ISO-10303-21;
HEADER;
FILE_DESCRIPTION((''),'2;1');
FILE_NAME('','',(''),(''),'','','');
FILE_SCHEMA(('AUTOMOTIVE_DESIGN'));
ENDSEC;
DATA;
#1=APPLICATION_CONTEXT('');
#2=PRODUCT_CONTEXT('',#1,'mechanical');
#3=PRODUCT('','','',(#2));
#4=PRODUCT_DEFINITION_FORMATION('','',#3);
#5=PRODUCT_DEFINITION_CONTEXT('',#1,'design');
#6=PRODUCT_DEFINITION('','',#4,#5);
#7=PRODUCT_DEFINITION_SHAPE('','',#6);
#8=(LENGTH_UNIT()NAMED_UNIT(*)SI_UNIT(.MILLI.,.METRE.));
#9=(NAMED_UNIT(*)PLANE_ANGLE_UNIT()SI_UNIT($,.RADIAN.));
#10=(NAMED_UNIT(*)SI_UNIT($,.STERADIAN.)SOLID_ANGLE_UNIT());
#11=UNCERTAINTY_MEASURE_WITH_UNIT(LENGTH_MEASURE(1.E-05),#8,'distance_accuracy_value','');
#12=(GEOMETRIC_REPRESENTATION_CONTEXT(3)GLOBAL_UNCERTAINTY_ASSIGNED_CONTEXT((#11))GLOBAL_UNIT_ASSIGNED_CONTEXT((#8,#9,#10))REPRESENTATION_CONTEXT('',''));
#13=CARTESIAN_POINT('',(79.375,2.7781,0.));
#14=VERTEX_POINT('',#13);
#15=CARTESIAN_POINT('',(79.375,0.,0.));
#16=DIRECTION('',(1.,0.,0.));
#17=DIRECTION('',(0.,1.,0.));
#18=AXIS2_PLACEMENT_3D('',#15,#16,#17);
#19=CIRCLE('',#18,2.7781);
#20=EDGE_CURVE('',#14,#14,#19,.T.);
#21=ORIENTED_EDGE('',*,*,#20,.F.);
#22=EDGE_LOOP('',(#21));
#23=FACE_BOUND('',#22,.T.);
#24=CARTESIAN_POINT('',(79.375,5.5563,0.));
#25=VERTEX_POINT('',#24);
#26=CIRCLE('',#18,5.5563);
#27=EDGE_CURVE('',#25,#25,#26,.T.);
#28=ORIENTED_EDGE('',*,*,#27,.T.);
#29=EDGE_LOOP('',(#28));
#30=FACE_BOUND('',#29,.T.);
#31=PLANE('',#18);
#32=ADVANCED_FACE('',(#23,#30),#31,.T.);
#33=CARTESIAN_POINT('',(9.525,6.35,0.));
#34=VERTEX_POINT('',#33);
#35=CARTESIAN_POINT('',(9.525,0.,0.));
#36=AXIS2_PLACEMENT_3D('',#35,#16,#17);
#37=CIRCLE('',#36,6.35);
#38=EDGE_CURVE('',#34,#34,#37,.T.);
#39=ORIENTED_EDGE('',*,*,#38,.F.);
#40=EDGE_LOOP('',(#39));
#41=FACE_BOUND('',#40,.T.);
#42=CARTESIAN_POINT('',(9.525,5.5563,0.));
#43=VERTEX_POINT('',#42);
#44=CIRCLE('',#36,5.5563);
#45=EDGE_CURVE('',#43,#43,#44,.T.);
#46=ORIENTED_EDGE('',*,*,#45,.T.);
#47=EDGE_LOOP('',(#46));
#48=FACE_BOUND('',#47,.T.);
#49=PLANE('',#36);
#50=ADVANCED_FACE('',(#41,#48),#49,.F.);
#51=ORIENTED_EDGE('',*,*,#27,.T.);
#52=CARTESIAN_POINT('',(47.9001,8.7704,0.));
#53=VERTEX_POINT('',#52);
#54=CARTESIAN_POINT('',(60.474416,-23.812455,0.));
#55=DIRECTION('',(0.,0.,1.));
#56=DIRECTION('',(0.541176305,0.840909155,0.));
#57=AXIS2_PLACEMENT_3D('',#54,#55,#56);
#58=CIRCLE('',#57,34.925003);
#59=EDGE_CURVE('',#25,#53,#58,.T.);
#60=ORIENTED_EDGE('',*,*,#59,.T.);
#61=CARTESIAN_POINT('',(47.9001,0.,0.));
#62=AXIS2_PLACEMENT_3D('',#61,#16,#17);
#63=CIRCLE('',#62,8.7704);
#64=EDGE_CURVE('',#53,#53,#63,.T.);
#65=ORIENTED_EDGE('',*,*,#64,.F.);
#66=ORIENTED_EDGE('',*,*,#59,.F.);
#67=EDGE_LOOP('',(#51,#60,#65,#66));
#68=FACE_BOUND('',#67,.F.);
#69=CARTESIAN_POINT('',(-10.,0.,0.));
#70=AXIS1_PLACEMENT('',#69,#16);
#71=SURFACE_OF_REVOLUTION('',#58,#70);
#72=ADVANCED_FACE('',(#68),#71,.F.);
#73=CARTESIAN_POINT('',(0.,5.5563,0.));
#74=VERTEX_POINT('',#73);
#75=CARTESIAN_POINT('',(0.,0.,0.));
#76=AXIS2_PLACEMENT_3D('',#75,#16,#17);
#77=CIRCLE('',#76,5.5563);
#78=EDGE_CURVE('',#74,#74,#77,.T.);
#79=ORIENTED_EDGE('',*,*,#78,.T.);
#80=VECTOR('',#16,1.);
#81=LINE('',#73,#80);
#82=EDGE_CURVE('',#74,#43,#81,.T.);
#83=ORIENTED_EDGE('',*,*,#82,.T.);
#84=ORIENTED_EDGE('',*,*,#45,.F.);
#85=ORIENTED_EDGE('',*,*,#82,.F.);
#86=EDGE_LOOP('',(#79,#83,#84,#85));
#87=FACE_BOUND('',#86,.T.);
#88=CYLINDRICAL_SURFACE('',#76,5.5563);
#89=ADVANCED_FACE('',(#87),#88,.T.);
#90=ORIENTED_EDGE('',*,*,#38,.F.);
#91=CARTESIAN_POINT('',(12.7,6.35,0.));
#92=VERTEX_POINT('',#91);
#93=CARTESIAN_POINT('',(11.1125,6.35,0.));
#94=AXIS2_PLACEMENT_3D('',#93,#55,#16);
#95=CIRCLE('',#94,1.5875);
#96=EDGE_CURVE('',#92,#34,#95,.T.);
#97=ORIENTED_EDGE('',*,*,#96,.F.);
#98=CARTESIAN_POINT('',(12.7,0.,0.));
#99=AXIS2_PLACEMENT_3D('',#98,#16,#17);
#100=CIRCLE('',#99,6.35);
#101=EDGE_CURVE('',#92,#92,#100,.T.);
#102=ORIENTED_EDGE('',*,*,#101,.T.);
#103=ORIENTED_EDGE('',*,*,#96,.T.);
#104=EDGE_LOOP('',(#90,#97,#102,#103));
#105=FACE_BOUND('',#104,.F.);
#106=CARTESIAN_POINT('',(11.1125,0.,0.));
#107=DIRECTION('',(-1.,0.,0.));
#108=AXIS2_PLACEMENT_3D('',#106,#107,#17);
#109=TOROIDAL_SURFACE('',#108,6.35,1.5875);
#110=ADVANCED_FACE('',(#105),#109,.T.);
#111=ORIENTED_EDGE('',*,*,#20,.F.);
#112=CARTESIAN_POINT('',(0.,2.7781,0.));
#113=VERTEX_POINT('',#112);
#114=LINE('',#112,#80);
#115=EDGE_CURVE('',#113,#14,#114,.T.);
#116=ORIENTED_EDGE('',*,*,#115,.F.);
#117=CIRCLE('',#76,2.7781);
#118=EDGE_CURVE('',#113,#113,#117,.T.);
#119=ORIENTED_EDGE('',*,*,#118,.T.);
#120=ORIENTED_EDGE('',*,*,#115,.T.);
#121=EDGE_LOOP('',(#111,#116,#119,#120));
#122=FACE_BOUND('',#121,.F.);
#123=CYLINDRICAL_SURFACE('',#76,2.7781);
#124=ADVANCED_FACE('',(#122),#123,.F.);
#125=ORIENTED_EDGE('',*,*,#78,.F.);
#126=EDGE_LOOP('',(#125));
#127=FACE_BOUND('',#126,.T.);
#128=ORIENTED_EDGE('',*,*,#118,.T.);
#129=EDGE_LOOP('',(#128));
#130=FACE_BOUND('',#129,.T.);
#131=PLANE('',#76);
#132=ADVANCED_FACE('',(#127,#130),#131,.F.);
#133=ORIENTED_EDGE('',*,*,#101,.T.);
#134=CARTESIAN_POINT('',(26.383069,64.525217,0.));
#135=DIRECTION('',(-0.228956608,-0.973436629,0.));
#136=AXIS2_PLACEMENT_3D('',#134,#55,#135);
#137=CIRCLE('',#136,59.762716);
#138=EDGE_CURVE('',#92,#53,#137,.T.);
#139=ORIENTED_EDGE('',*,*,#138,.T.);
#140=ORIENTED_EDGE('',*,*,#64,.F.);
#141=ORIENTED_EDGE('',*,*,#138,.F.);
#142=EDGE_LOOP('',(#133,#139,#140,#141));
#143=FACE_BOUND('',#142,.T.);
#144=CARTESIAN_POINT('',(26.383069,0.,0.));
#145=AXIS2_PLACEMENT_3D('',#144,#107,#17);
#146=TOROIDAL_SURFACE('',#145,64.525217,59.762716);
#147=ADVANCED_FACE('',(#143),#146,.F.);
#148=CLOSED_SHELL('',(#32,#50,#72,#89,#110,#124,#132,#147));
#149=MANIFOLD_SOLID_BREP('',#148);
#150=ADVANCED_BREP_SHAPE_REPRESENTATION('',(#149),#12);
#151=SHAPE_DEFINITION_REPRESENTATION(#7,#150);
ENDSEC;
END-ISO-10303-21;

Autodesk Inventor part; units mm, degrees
ref_plane "YZ Plane" through (0, 0, 0) normal (1, 0, 0) x (0, 1, 0)
ref_plane "XZ Plane" through (0, 0, 0) normal (0, 1, 0) x (-1, 0, 0)
ref_plane "XY Plane" through (0, 0, 0) normal (0, 0, 1) x (1, 0, 0)
sketch "Sketch1" plane through (0, 0, 0) normal (0, 0, 1) x (1, 0, 0)
  line L0 (-15.952, 0) -> (95.7118, 0) projected
  line L1 (0, -41.4801) -> (0, 82.1932) construction
  line L2 (0, 5.5563) -> (9.525, 5.5563)
  arc A0 (12.7, 6.35) -> (9.525, 6.35) centre (11.1125, 6.35) ccw
  line L3 (9.525, 5.5563) -> (9.525, 6.35)
  line L4 (49.0333, 11.1125) -> (60.4744, 11.1125) construction
  line L5 (25.177, 4.7625) -> (44.7051, 4.7625) construction
  line L6 (6.9095, 7.9375) -> (19.8278, 7.9375) construction
  line L7 (11.1125, 6.35) -> (14.4696, 6.35) construction
  arc A1 (12.7, 6.35) -> (47.9001, 8.7704) centre (26.3831, 64.5256) ccw
  arc A2 (79.375, 5.5563) -> (47.9001, 8.7704) centre (60.4744, -23.8125) ccw
  line L8 (12.7, 9.8172) -> (12.7, 3.2434) construction
  line L9 (0, 2.7781) -> (0, 5.5563)
  line L10 (79.375, 5.5563) -> (79.375, 2.7781)
  line L11 (0, 2.7781) -> (79.375, 2.7781)
  point P0 (0, 0)
  point P1 (26.9875, 4.7625)
  point P2 (60.325, 11.1125)
  dimension "d3" = 11.1125
  dimension "d5" = 0
  dimension "d8" = 9.525
  dimension "d10" = 26.9875
  dimension "d13" = 60.325
  dimension "d14" = 22.225
  dimension "d16" = 9.525
  dimension "d20" = 15.875
  dimension "d21" = 59.7631
  dimension "d22" = 34.925
  dimension "d25" = 3.175
  dimension "d27" = 79.375
  dimension "d28" = 11.1125
  dimension "d29" = 5.5563
revolve "Revolution1" add sketch "Sketch1" angle 360 about axis through (-10, 0, 0) along (1, 0, 0)
properties part number "Mango" material "Wood (Oak)"
